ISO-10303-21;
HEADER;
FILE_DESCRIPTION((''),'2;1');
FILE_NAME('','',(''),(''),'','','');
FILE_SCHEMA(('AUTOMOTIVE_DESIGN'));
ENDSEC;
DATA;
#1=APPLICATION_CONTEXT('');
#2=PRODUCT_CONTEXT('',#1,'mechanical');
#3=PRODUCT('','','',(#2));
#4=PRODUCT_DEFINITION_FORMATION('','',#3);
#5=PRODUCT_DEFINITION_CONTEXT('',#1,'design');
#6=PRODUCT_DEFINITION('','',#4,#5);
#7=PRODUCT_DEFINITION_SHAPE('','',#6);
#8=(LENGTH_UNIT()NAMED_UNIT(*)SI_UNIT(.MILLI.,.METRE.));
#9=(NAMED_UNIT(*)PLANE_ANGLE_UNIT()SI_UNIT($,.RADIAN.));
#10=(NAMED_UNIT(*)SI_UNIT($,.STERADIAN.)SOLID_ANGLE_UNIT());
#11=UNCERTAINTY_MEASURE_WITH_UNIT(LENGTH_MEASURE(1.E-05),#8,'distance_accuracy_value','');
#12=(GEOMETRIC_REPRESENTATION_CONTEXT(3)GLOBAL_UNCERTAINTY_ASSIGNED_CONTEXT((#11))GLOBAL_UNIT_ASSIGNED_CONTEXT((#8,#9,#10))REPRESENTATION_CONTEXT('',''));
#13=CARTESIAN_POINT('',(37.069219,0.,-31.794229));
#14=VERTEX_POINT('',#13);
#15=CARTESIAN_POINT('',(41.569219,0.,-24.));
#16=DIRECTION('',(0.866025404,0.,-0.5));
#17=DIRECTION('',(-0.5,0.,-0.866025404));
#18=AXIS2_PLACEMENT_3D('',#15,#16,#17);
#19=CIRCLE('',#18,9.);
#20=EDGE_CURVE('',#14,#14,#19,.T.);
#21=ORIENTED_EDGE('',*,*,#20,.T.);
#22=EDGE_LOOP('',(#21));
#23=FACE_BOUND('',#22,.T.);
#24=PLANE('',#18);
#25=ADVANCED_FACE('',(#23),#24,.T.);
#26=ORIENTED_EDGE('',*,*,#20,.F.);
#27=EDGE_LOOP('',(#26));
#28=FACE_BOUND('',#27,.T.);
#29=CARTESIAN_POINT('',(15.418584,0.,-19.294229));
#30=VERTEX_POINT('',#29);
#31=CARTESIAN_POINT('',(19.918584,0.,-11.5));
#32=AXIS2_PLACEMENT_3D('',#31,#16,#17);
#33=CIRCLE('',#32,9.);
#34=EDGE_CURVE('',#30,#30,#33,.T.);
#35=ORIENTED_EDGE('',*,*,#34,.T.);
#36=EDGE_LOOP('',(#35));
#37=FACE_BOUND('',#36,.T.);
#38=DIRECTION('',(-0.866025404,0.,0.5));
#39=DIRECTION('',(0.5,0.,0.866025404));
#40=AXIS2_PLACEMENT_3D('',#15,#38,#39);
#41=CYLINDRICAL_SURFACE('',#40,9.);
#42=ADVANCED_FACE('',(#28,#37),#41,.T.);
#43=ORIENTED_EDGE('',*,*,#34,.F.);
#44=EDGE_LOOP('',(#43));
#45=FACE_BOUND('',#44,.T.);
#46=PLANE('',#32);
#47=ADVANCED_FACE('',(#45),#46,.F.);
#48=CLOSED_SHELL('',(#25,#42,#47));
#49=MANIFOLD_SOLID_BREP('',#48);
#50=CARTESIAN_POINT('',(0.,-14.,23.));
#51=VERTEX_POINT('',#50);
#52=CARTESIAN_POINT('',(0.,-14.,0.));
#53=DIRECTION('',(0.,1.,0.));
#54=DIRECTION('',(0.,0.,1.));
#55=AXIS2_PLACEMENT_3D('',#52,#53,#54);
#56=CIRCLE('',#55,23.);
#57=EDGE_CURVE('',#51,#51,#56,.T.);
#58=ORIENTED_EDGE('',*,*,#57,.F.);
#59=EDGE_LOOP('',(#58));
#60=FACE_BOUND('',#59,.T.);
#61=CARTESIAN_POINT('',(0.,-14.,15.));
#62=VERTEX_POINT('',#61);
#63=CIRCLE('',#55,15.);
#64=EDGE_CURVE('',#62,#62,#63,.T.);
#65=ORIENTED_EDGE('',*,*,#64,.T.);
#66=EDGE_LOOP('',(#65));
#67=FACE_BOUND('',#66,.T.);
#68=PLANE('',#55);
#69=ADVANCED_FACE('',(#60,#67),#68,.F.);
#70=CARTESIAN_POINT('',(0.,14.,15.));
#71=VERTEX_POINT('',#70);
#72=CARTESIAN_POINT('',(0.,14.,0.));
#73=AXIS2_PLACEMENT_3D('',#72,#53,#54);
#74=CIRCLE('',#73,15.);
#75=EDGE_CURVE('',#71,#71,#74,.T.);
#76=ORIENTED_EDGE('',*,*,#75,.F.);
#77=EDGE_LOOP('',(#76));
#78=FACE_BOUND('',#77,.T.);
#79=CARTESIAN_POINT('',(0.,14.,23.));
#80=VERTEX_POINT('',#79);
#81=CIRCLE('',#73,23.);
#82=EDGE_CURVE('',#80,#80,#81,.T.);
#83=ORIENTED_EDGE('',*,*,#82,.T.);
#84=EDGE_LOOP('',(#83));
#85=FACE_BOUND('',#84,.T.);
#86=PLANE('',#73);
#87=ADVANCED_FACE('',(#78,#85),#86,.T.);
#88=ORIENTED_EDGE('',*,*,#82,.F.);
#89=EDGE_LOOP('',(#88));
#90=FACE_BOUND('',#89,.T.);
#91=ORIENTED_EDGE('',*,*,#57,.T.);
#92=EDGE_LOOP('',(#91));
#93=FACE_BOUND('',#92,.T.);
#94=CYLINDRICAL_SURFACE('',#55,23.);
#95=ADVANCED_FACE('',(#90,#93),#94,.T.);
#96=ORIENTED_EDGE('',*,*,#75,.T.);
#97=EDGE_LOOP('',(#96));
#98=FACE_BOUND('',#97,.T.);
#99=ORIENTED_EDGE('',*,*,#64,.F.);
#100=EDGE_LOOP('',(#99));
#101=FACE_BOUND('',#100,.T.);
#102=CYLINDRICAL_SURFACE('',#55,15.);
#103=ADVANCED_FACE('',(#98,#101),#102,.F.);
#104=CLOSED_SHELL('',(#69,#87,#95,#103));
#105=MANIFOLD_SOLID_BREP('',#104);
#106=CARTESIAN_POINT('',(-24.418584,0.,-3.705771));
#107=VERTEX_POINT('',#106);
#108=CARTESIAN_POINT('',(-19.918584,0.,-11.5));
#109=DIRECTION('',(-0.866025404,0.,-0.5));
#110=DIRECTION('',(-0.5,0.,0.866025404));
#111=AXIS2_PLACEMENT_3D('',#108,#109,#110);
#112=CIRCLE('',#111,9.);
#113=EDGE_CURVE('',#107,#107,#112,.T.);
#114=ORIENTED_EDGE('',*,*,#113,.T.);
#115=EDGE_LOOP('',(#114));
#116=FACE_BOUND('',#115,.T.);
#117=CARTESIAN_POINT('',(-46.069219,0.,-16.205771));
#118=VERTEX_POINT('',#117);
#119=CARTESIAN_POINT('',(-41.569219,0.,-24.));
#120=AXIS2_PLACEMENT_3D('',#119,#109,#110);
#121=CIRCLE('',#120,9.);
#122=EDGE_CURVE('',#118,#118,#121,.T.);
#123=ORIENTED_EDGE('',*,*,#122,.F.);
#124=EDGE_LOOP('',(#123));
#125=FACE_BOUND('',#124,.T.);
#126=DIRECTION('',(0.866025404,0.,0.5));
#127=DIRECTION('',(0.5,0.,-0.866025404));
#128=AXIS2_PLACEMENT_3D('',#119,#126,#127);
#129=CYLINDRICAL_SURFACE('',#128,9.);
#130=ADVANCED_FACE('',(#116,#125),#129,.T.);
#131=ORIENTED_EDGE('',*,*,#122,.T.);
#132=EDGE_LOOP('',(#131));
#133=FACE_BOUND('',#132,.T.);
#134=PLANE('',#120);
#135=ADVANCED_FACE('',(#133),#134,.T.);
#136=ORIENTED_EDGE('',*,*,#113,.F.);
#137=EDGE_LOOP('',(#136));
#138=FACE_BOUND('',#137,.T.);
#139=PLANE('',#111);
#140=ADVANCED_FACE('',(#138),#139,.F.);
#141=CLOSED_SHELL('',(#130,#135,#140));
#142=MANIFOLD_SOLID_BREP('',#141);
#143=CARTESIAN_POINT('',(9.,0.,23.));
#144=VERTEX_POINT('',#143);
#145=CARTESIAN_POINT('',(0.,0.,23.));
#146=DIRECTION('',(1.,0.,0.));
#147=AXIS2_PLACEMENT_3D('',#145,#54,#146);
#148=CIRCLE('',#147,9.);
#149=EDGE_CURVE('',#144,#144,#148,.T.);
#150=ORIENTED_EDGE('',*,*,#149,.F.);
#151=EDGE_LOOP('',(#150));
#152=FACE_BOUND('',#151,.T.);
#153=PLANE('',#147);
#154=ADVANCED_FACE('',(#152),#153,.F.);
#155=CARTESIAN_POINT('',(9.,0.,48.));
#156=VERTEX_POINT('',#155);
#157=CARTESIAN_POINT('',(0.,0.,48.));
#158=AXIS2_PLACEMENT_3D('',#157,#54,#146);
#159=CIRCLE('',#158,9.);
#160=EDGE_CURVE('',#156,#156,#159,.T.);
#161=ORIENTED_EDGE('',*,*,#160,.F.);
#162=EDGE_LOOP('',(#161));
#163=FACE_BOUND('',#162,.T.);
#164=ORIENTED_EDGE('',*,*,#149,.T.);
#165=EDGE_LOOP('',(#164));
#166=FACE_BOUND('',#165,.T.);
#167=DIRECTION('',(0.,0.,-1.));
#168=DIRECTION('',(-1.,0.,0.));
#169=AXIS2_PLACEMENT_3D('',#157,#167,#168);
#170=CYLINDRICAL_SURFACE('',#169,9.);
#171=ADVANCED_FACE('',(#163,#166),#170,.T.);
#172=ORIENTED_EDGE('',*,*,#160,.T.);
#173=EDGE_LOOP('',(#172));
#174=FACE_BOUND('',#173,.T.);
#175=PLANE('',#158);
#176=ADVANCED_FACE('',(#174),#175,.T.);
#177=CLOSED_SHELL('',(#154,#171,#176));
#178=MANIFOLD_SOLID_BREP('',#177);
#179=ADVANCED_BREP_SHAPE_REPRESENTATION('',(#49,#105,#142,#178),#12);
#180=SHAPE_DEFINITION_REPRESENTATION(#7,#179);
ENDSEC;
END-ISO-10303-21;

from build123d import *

# Parameters (mm, degrees)
BOSS_EXTRU_1_DEPTH           = 14
BOSS_EXTRU_1_DEPTH_BACK      = 14
ESQUISSE1_R                  = 23
ESQUISSE1_R_2                = 15
ESQUISSE2_R                  = 9
BOSS_EXTRU_2_DEPTH           = 25
R_P_TITION_CIRCULAIRE6_COUNT = 3


with BuildPart() as part:
    # Esquisse1 → Boss.-Extru.1 (new, two sides: drawn at the far end of the back side and taken through both)
    with BuildSketch(Plane(origin=(0, 0, 0), x_dir=(1, 0, 0), z_dir=(0, 1, 0)).offset(-BOSS_EXTRU_1_DEPTH_BACK)):
        Circle(ESQUISSE1_R)
        Circle(ESQUISSE1_R_2, mode=Mode.SUBTRACT)
    extrude(amount=BOSS_EXTRU_1_DEPTH + BOSS_EXTRU_1_DEPTH_BACK)


with BuildPart() as body_2:
    # Esquisse2 → Boss.-Extru.2 (new body)
    with BuildSketch(Plane.XY.offset(23)):
        Circle(ESQUISSE2_R)
    extrude(amount=BOSS_EXTRU_2_DEPTH)


with BuildPart() as r_p_tition_circulaire6_1:
    # Répétition circulaire6: pattern copy
    add(body_2.part.rotate(Axis((0, -14, 0), (0, 1, 0)), 1 * 360 / R_P_TITION_CIRCULAIRE6_COUNT))


with BuildPart() as r_p_tition_circulaire6_2:
    # Répétition circulaire6: pattern copy
    add(body_2.part.rotate(Axis((0, -14, 0), (0, 1, 0)), 2 * 360 / R_P_TITION_CIRCULAIRE6_COUNT))


solid = Compound([part.part, body_2.part, r_p_tition_circulaire6_1.part, r_p_tition_circulaire6_2.part])
